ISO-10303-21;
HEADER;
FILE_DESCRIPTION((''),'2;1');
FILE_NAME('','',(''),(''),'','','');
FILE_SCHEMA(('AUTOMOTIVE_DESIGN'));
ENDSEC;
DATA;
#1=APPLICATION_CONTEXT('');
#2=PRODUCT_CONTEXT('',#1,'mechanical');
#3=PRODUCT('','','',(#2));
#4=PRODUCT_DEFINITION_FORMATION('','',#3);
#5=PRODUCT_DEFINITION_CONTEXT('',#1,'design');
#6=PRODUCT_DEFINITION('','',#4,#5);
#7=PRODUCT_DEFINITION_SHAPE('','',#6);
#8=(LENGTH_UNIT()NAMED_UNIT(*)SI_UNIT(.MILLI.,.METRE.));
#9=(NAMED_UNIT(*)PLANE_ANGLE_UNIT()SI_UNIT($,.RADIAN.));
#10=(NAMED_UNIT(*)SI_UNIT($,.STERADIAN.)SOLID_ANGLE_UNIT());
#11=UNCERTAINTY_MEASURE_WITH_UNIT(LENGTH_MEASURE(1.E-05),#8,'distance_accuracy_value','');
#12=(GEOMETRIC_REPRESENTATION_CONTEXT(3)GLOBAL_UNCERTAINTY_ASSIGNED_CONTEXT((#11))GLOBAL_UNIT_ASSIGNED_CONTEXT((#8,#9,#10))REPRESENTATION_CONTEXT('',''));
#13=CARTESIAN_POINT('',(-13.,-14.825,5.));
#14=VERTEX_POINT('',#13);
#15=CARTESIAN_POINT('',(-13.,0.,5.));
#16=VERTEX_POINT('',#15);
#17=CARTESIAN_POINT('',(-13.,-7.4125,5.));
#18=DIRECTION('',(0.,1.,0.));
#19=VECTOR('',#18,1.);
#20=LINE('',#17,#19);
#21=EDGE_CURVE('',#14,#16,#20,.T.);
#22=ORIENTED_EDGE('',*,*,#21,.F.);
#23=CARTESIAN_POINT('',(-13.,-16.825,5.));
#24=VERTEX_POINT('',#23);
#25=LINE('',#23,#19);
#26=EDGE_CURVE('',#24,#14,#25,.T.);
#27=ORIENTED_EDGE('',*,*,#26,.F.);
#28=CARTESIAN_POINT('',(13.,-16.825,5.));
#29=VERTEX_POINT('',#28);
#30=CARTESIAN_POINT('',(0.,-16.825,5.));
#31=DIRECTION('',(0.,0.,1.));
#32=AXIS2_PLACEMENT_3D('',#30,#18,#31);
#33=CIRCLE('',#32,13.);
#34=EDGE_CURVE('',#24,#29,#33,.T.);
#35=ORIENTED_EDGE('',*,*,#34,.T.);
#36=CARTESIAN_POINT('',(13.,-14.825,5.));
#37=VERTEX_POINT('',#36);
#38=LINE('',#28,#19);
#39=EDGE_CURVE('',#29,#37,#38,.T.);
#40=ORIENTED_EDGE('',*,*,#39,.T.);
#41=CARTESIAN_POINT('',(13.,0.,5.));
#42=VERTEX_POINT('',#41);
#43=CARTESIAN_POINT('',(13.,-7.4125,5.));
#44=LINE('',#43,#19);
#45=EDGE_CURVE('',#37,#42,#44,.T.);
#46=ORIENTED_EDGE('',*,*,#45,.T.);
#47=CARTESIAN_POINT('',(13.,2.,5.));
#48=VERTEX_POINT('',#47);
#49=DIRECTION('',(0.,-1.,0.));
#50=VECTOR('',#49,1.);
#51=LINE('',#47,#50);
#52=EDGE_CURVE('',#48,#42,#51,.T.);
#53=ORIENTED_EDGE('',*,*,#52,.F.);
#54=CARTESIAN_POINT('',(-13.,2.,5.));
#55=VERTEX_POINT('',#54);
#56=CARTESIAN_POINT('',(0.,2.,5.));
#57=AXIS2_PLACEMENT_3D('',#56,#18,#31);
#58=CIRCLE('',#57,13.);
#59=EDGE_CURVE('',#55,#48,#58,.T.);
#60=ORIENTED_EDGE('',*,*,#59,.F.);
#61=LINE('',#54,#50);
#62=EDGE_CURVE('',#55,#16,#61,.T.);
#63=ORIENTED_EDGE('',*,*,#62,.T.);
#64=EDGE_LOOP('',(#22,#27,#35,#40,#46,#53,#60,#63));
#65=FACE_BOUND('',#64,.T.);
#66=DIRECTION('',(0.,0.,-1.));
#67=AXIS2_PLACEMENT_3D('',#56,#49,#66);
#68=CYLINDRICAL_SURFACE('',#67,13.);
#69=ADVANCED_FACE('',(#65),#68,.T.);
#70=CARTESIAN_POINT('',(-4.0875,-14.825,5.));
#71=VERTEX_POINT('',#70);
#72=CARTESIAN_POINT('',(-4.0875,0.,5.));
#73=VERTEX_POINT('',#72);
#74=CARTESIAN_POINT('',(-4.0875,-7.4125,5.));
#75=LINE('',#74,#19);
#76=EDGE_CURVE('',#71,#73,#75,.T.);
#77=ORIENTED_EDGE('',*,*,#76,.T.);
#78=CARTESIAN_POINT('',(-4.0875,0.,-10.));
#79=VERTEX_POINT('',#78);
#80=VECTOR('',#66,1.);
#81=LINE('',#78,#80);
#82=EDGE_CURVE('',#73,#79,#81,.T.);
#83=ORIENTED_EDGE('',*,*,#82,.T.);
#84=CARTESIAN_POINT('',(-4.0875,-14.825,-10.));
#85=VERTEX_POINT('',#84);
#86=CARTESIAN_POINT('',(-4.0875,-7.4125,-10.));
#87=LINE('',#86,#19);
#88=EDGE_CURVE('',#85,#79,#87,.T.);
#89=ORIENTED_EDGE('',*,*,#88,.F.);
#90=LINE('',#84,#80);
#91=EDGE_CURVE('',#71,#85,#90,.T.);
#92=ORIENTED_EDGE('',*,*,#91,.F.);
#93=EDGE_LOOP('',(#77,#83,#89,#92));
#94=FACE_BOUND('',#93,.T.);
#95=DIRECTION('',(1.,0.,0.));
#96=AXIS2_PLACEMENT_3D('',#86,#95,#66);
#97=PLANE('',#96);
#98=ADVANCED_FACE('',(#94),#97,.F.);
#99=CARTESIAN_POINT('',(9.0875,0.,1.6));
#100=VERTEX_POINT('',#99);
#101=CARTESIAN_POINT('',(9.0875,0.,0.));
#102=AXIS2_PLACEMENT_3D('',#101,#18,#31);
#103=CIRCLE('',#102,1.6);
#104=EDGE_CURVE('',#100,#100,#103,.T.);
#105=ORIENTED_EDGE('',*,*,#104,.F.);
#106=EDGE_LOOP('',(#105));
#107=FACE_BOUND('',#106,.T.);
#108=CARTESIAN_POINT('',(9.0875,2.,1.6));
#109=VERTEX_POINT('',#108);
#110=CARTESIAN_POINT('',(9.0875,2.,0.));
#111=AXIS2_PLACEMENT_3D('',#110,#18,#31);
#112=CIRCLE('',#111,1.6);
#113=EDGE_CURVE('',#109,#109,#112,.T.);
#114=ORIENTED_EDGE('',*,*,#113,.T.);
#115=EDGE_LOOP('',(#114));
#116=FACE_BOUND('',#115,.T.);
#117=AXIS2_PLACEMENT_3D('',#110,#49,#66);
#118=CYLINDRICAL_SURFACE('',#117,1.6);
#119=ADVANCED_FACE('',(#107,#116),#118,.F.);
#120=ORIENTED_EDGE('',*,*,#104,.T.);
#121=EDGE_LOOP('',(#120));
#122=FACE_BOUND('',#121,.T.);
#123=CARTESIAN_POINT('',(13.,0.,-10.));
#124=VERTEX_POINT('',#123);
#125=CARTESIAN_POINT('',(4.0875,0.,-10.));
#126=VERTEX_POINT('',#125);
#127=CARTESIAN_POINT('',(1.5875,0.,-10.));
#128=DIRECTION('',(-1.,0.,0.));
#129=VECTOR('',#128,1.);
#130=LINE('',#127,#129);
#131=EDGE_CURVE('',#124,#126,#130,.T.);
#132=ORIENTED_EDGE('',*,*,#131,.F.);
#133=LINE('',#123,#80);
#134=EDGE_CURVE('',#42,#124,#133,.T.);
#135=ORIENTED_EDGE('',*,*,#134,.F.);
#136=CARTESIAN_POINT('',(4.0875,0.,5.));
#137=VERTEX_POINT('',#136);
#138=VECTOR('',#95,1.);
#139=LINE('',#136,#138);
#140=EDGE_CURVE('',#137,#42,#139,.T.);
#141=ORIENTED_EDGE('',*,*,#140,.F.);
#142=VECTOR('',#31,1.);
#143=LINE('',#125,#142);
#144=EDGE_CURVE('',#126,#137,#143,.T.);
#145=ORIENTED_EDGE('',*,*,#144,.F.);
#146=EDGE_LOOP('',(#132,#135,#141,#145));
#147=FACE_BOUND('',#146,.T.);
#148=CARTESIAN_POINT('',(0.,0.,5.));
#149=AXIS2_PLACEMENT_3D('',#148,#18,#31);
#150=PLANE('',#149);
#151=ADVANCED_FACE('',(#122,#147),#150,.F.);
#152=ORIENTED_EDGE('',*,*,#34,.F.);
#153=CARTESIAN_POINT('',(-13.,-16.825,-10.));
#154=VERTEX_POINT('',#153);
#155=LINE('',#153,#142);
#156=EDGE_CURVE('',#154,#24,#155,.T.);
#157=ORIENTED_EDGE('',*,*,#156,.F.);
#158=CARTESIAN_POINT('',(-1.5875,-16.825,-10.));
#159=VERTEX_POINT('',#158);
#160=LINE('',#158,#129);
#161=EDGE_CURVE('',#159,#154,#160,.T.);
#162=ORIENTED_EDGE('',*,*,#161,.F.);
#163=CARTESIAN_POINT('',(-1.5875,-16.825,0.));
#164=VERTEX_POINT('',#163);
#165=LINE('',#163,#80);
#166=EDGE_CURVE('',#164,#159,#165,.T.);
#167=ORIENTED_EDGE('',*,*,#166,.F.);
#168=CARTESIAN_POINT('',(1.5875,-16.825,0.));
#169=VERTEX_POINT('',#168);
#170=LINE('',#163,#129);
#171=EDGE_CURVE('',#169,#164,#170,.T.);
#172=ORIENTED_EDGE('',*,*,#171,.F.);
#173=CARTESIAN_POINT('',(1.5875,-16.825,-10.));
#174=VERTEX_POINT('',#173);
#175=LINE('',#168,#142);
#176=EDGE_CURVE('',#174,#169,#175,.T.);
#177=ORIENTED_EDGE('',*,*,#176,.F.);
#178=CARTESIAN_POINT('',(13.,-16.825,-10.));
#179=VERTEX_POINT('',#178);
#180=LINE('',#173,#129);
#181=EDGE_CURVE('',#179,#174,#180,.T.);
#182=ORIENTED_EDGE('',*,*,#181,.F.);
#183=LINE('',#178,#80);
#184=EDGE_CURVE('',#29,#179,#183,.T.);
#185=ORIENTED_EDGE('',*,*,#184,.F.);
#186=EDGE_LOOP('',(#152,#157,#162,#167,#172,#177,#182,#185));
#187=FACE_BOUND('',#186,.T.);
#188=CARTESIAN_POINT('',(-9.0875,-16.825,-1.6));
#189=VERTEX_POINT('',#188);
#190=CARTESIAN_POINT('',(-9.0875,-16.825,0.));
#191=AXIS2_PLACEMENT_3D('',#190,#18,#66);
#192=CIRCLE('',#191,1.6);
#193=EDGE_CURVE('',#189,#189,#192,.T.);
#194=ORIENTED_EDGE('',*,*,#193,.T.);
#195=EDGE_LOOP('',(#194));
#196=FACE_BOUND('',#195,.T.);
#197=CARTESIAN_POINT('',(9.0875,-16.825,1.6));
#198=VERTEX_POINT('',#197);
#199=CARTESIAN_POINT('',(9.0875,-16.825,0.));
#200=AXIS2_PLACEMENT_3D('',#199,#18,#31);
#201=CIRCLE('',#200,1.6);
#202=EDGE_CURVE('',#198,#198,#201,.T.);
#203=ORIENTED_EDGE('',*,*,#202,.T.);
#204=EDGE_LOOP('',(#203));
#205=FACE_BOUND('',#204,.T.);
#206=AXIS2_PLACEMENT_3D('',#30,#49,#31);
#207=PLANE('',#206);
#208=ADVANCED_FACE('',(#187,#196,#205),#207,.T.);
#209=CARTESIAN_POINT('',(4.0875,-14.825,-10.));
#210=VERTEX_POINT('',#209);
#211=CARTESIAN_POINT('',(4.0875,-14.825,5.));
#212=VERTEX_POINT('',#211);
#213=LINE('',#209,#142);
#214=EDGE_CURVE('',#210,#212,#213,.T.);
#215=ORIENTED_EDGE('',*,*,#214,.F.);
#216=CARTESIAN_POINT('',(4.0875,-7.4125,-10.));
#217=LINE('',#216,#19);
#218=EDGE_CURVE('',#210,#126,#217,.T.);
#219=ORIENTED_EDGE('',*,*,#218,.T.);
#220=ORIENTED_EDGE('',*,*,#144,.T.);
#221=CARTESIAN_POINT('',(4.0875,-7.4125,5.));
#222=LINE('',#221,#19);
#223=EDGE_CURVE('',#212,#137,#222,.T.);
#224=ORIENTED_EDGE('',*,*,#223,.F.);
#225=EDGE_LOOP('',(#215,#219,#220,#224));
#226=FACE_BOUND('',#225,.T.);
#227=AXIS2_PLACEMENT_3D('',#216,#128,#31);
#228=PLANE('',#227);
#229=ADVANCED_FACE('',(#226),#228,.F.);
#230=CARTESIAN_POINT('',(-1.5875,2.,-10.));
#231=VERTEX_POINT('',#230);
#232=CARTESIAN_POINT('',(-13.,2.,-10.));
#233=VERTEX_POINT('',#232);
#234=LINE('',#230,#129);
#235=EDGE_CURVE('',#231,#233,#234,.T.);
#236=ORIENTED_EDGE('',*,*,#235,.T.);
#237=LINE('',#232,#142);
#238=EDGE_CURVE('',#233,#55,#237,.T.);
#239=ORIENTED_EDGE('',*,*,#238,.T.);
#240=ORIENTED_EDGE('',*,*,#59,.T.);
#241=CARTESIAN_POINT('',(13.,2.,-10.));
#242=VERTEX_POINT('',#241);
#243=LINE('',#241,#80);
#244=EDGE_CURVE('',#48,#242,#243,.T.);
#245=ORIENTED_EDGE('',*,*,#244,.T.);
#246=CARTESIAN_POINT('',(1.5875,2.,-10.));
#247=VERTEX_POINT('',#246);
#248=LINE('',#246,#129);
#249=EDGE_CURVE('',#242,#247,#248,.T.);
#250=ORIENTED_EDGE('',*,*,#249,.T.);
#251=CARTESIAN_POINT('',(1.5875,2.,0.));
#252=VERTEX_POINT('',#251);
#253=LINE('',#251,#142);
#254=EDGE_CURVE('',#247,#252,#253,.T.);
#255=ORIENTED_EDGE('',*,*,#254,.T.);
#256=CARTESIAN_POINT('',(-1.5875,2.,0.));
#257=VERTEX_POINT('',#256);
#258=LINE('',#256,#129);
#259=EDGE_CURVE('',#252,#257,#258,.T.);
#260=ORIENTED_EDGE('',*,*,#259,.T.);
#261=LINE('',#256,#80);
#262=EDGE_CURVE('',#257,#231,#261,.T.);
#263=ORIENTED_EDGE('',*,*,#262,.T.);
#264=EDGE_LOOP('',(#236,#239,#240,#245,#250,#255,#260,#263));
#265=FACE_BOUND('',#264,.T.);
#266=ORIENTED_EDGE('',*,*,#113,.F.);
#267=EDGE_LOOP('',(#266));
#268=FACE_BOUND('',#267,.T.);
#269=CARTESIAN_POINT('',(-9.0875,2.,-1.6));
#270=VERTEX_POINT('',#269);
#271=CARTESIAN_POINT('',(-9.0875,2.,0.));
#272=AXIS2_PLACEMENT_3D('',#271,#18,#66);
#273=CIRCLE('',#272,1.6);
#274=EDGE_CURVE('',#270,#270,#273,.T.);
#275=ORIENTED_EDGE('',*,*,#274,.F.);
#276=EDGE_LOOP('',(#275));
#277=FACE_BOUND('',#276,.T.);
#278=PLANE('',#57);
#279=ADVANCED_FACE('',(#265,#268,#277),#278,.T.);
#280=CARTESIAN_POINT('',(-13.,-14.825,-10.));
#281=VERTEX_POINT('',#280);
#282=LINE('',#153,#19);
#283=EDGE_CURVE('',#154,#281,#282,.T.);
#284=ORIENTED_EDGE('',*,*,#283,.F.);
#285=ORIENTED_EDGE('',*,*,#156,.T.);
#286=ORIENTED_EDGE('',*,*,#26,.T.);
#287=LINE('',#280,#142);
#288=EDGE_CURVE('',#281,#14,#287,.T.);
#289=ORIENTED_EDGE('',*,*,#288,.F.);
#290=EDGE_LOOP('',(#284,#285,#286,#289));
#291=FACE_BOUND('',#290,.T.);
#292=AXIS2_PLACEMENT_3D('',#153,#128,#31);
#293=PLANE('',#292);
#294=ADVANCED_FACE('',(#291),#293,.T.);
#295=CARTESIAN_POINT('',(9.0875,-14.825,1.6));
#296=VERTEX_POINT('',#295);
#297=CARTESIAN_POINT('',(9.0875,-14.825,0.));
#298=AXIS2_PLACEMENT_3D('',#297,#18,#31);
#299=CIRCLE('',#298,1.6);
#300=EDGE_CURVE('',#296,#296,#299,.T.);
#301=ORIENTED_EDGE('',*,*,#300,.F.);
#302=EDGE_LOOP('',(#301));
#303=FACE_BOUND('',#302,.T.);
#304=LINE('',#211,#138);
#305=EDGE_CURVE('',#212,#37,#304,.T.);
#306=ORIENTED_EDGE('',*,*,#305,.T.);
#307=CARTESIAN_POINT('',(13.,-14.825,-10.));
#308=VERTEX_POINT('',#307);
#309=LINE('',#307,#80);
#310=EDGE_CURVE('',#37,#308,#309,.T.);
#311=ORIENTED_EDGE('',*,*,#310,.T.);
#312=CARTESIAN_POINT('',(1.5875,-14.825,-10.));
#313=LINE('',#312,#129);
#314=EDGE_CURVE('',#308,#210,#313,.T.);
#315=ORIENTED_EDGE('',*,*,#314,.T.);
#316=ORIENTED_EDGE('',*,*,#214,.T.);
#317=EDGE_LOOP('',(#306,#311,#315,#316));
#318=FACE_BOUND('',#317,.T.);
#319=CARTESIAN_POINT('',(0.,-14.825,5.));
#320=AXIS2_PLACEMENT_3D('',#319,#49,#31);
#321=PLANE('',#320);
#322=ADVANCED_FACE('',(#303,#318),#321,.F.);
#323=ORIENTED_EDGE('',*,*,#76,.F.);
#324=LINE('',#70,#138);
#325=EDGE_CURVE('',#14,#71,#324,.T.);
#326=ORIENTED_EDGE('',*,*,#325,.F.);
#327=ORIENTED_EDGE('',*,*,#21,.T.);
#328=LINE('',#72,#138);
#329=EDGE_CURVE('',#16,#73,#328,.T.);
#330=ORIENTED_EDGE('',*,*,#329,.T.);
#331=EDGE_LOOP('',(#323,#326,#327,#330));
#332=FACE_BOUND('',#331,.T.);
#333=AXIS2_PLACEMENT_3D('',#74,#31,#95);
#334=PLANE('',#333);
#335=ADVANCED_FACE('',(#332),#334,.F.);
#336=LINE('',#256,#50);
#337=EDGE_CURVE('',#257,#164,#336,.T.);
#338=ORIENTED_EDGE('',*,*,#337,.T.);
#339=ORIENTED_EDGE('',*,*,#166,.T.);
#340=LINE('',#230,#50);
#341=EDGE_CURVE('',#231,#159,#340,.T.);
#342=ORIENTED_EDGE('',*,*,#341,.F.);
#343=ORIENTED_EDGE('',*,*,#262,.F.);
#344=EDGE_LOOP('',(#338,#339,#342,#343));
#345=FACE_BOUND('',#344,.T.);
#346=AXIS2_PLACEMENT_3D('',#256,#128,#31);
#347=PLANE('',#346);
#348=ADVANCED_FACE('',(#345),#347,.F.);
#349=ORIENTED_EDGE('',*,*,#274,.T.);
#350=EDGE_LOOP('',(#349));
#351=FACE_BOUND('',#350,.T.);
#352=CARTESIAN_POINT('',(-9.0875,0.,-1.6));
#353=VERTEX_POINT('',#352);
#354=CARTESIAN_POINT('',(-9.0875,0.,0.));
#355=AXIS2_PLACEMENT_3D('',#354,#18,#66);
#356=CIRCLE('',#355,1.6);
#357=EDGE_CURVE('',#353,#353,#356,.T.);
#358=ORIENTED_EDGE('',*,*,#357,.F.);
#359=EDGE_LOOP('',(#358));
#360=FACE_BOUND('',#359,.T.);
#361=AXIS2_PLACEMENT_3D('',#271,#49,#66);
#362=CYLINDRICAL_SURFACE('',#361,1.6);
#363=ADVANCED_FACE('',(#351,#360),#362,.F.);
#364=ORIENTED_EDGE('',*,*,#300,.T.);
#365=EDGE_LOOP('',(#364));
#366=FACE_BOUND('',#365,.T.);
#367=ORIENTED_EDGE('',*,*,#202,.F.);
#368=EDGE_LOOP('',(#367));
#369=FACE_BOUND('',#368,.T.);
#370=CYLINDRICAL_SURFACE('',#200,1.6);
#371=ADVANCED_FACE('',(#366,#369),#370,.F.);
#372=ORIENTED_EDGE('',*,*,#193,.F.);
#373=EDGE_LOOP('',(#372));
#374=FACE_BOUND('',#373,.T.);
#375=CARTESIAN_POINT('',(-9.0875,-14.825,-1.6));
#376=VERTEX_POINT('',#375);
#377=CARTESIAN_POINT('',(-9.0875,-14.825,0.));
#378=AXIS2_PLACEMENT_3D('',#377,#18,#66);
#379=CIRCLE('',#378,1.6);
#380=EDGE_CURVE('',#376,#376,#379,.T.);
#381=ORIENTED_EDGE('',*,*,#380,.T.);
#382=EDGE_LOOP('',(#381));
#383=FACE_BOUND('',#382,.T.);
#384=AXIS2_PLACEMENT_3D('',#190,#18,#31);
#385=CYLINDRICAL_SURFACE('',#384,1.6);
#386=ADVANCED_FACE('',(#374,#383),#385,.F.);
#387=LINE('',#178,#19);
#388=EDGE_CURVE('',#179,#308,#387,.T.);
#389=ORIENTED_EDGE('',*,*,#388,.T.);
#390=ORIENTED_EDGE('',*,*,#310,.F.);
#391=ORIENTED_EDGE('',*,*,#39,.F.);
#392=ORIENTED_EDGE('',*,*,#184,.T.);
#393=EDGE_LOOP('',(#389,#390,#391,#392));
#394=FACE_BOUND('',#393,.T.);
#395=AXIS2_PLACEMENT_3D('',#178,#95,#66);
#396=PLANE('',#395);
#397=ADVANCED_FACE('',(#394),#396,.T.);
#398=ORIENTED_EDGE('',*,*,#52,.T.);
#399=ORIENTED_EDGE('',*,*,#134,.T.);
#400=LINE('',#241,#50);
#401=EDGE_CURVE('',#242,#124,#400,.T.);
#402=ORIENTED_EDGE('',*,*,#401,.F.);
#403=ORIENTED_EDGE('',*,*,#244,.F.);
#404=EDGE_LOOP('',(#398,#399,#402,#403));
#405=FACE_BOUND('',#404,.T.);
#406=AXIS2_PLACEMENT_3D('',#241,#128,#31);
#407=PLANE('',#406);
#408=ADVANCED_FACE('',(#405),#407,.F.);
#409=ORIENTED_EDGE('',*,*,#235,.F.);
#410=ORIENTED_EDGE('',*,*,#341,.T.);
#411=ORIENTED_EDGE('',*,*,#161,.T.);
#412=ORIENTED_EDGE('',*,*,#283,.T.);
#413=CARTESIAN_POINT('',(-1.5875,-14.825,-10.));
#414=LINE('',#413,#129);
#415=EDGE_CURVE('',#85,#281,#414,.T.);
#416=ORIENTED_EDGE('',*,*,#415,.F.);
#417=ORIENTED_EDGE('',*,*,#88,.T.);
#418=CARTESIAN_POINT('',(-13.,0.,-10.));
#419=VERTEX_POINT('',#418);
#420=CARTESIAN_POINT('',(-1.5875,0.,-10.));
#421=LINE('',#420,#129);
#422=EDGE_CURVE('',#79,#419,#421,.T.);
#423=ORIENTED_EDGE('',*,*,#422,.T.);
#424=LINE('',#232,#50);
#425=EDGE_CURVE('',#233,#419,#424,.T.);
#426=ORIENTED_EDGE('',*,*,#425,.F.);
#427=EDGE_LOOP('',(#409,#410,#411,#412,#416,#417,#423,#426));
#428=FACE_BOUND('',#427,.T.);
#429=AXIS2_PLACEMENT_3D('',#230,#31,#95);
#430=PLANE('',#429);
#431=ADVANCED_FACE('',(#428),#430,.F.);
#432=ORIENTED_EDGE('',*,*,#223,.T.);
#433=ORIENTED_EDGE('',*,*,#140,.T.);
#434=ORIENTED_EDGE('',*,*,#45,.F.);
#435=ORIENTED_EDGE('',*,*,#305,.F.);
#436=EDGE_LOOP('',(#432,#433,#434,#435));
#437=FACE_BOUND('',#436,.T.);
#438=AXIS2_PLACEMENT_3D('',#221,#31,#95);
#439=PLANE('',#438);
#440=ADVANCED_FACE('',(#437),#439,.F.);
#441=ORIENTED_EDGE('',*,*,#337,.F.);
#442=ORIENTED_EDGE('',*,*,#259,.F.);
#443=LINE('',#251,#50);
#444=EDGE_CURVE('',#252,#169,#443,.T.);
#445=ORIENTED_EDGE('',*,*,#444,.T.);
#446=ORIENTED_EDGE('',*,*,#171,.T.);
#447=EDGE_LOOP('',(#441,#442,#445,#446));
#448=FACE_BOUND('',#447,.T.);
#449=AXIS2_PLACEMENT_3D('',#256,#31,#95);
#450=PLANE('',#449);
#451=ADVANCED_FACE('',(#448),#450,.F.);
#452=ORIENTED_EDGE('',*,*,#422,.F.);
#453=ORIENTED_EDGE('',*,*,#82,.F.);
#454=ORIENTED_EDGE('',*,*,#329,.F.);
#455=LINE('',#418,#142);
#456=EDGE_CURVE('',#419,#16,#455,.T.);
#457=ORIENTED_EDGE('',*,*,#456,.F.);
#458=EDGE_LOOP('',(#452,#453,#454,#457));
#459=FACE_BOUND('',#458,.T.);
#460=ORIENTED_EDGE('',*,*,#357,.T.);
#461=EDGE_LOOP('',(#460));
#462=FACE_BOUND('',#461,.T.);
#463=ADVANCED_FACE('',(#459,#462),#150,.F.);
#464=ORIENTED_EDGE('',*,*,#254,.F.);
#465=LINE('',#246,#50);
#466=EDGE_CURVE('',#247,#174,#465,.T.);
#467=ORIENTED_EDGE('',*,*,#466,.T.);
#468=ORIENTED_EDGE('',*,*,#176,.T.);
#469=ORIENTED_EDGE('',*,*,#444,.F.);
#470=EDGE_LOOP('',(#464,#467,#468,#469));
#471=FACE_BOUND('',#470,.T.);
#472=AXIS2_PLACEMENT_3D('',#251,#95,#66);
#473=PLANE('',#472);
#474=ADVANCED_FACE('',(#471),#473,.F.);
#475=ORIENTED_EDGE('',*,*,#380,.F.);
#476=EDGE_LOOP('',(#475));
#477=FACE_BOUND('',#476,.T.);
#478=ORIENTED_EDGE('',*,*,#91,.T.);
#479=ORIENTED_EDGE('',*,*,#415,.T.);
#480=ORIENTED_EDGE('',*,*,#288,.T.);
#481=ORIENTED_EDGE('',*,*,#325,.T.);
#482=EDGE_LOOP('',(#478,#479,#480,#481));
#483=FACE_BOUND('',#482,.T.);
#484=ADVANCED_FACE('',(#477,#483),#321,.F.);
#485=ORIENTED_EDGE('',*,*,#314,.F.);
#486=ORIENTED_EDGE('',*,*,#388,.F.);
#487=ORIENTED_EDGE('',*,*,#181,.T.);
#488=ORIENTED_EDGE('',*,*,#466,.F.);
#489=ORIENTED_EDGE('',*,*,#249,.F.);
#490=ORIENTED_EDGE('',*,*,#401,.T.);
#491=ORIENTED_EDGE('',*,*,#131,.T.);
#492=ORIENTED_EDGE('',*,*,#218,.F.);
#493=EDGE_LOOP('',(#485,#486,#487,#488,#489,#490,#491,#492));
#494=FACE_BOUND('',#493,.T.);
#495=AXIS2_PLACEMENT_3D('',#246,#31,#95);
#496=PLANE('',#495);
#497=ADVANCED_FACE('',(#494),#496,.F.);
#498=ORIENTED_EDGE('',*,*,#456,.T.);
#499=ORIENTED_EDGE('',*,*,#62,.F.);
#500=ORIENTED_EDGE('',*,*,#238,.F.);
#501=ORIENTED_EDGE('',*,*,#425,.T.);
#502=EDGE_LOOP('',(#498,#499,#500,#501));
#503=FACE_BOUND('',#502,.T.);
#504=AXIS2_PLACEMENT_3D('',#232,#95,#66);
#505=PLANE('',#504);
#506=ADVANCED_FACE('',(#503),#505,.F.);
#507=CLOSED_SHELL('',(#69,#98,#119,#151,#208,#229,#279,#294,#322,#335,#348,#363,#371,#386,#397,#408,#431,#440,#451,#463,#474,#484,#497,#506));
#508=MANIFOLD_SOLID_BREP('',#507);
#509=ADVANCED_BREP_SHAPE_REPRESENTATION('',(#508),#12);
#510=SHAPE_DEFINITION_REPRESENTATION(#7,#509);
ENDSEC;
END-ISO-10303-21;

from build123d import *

# Parameters (mm, degrees)
SKETCH1_R           = 1.6
BOSS_EXTRUDE1_DEPTH = 2
BOSS_EXTRUDE3_START = 7.4125
BOSS_EXTRUDE3_DEPTH = 7.4125


with BuildPart() as part:
    # Sketch1 → Boss-Extrude1 (new body)
    with BuildSketch(Plane(origin=(0, 0, 0), x_dir=(1, 0, 0), z_dir=(0, 1, 0))):
        with BuildLine():
            Line((-1.5875, 0), (1.5875, 0))
            Line((1.5875, 0), (1.5875, 10))
            Line((1.5875, 10), (13, 10))
            Line((13, 10), (13, -5))
            ThreePointArc((13, -5), (0, -18), (-13, -5))
            Line((-13, -5), (-13, 10))
            Line((-13, 10), (-1.5875, 10))
            Line((-1.5875, 10), (-1.5875, 0))
        make_face()
        with Locations(Location((9.0875, 0, 0), (0, 0, 270))):
            Circle(SKETCH1_R, mode=Mode.SUBTRACT)
        with Locations(Location((-9.0875, 0, 0), (0, 0, 90))):
            Circle(SKETCH1_R, mode=Mode.SUBTRACT)
    boss_extrude1 = extrude(amount=BOSS_EXTRUDE1_DEPTH)

    # Sketch3 → Boss-Extrude3 (add)
    with BuildSketch(Plane.XZ.offset(BOSS_EXTRUDE3_START)):
        with BuildLine():
            Line((4.0875, -10), (1.5875, -10))
            Line((1.5875, -10), (1.5875, 0))
            Line((1.5875, 0), (-1.5875, 0))
            Line((-1.5875, 0), (-1.5875, -10))
            Line((-1.5875, -10), (-4.0875, -10))
            Line((-4.0875, -10), (-4.0875, 5))
            Line((-4.0875, 5), (-13, 5))
            ThreePointArc((-13, 5), (0, 18), (13, 5))
            Line((13, 5), (4.0875, 5))
            Line((4.0875, 5), (4.0875, -10))
        make_face()
    boss_extrude3 = extrude(amount=-BOSS_EXTRUDE3_DEPTH)

    # Mirror11: Boss-Extrude3 across plane
    add(boss_extrude3.mirror(Plane(origin=(0, -7.4125, 0), x_dir=(0, 0, 1), z_dir=(0, -1, 0))))

    # Mirror12: Boss-Extrude1 across plane
    add(boss_extrude1.mirror(Plane(origin=(0, -7.4125, 0), x_dir=(0, 0, 1), z_dir=(0, -1, 0))))


solid = part.part
